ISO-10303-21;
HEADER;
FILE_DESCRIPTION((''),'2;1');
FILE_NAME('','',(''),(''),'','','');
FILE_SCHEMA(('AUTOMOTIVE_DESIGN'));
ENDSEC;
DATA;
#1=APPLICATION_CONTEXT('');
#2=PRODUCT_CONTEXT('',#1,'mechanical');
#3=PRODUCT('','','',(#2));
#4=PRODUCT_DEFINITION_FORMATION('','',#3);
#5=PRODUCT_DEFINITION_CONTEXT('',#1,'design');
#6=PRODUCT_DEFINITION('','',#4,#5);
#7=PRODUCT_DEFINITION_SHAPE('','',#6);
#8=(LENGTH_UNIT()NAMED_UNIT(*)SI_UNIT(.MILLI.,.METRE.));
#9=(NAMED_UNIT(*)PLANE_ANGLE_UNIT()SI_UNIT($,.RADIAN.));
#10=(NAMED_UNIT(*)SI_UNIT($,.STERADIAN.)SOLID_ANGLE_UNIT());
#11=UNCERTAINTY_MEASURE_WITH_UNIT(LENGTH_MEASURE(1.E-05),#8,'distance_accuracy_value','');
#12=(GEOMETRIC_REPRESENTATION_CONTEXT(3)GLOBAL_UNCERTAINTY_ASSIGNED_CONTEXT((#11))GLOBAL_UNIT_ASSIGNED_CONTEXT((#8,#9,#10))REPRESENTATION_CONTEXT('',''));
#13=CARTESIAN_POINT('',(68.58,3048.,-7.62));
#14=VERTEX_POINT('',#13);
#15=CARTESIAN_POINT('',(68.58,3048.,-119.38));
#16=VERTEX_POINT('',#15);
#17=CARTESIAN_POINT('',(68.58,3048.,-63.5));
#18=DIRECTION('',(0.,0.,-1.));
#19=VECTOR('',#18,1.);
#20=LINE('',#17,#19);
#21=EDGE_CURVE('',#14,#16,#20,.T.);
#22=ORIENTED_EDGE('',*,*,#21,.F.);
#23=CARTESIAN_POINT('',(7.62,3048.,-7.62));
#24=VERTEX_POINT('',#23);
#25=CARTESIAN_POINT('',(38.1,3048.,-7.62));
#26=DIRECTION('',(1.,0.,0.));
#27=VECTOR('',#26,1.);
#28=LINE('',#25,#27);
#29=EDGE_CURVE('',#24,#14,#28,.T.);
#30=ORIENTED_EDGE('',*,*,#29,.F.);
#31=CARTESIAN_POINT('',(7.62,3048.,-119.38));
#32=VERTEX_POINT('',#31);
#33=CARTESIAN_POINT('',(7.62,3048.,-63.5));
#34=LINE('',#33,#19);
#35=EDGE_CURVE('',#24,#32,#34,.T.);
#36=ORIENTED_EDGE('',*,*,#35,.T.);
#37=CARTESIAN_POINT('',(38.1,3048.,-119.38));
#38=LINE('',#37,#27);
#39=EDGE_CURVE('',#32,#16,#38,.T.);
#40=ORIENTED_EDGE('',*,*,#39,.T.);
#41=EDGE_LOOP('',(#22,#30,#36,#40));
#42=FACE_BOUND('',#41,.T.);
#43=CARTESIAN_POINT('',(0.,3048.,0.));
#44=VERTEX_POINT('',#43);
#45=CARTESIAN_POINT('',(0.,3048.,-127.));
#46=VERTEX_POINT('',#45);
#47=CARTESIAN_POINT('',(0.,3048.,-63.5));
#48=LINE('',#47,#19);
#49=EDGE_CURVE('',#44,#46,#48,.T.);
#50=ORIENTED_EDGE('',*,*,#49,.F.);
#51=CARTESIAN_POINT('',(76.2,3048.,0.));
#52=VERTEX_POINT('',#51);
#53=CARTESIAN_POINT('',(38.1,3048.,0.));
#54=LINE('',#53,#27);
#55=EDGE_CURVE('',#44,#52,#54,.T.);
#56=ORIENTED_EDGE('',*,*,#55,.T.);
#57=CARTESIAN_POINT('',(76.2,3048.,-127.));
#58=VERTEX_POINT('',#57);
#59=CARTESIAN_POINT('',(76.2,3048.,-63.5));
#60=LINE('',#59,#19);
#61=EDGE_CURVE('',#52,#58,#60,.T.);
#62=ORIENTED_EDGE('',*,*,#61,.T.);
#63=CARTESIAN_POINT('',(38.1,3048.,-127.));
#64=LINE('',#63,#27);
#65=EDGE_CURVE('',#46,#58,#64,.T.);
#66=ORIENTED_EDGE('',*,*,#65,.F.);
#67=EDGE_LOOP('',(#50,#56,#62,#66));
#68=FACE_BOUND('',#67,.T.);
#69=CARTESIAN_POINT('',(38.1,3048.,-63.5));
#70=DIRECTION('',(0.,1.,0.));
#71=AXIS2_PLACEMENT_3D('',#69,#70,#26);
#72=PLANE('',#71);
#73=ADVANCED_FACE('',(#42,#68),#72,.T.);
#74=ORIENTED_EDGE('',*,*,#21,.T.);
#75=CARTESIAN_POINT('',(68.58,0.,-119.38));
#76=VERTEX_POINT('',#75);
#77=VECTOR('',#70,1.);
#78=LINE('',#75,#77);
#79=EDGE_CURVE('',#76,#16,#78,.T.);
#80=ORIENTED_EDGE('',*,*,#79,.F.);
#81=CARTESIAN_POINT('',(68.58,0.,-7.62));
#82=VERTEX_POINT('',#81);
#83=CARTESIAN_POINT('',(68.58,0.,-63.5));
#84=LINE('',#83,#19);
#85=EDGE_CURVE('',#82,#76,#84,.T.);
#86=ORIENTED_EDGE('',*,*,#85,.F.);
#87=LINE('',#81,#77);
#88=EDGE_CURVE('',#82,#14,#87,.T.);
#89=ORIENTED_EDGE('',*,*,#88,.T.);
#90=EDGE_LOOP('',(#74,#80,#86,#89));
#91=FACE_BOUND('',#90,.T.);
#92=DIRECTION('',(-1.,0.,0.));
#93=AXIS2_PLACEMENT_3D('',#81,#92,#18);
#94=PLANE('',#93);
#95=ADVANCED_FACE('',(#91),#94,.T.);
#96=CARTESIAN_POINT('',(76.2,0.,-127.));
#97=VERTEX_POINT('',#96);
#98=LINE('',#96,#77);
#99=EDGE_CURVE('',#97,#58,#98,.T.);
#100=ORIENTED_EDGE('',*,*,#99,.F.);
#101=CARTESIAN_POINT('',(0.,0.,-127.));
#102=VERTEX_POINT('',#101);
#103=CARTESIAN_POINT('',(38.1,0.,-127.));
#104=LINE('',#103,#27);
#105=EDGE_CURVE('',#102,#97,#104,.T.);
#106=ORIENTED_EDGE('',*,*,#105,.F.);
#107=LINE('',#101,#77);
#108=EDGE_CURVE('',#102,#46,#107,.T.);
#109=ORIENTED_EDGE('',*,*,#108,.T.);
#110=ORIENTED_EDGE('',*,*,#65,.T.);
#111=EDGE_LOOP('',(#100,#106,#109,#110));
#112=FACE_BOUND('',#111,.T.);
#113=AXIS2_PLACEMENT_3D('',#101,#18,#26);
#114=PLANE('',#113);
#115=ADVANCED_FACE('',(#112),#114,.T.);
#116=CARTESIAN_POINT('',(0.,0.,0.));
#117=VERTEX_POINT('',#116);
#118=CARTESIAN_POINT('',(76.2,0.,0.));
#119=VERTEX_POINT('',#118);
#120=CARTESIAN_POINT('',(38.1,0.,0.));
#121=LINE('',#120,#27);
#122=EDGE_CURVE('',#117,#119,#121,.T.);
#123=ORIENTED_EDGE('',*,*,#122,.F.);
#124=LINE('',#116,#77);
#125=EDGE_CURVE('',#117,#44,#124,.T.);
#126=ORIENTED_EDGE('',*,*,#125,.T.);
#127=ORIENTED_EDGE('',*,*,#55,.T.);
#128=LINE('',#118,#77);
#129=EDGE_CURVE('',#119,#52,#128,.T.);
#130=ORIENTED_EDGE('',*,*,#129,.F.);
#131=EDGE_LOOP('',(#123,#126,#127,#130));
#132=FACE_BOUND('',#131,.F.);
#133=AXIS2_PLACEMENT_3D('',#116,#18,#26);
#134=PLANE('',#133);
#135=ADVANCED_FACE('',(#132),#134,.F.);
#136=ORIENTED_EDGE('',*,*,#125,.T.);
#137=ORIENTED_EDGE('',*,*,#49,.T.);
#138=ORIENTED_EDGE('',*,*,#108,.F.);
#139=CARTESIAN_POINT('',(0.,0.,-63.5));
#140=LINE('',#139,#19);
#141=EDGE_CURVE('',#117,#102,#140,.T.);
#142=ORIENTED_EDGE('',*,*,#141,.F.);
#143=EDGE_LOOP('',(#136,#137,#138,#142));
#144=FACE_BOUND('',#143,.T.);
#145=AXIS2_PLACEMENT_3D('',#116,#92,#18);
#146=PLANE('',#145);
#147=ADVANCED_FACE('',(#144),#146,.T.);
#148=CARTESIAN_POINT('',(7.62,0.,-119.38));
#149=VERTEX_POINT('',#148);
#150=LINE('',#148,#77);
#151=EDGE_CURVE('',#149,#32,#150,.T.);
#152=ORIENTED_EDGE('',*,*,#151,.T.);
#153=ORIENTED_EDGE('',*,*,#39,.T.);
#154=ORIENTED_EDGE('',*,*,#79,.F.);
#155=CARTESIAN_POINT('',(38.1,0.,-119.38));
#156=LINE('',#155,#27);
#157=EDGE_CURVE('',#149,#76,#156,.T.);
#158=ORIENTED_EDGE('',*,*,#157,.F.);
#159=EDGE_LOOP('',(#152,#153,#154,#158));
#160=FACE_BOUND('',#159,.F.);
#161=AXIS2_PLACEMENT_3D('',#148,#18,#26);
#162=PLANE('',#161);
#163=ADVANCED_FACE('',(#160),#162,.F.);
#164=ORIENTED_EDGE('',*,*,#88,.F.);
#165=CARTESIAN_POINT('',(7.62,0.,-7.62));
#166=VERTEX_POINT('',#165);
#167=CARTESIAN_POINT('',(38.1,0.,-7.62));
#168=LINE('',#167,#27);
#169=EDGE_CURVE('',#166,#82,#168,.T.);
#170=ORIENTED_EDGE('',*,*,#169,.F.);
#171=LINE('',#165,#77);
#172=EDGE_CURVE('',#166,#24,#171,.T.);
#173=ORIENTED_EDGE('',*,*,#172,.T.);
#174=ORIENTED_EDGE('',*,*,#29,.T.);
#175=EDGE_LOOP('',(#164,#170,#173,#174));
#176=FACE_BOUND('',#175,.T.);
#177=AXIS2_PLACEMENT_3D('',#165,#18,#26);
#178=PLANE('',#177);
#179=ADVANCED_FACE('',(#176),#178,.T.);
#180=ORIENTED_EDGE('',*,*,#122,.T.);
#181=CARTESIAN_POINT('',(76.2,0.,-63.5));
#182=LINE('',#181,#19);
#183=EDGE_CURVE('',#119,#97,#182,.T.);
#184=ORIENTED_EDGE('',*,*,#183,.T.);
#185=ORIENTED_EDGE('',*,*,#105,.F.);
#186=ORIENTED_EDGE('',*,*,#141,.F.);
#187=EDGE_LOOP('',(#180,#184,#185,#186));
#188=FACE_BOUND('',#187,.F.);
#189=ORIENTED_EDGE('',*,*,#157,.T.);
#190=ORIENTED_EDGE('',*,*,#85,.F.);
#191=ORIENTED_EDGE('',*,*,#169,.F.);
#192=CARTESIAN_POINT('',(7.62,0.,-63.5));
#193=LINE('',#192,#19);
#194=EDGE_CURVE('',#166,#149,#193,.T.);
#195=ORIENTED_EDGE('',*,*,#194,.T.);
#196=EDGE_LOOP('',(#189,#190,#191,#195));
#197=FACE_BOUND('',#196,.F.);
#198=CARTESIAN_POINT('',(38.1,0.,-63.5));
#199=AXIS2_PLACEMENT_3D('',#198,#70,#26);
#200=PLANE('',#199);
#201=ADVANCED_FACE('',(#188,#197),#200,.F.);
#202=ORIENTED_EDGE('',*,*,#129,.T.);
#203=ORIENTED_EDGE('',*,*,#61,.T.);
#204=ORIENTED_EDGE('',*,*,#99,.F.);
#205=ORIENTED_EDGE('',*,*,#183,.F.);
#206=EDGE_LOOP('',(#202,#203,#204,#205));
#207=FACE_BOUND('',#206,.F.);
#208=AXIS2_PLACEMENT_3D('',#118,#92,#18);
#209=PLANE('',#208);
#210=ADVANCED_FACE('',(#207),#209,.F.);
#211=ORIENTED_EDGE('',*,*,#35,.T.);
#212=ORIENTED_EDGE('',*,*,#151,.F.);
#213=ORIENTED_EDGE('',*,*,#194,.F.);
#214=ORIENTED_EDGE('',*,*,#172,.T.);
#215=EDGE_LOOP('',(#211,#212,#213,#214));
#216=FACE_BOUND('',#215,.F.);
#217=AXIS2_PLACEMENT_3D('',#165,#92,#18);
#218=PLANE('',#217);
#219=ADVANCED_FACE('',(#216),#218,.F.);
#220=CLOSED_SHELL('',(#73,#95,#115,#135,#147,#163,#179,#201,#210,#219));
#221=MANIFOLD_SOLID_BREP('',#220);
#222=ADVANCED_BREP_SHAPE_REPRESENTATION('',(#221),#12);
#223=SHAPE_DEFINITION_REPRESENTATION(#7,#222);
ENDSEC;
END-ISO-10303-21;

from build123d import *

# Parameters (mm, degrees)
SKETCH1_W           = 76.2
SKETCH1_H           = 127
SKETCH1_W_2         = 60.96
SKETCH1_H_2         = 111.76
BOSS_EXTRUDE1_DEPTH = 3048


with BuildPart() as part:
    # Sketch1 → Boss-Extrude1 (new body)
    with BuildSketch(Plane(origin=(0, 0, 0), x_dir=(1, 0, 0), z_dir=(0, 1, 0))):
        with Locations((38.1, 63.5)):
            Rectangle(SKETCH1_W, SKETCH1_H)
        with Locations((38.1, 63.5)):
            Rectangle(SKETCH1_W_2, SKETCH1_H_2, mode=Mode.SUBTRACT)
    extrude(amount=BOSS_EXTRUDE1_DEPTH)


solid = part.part
